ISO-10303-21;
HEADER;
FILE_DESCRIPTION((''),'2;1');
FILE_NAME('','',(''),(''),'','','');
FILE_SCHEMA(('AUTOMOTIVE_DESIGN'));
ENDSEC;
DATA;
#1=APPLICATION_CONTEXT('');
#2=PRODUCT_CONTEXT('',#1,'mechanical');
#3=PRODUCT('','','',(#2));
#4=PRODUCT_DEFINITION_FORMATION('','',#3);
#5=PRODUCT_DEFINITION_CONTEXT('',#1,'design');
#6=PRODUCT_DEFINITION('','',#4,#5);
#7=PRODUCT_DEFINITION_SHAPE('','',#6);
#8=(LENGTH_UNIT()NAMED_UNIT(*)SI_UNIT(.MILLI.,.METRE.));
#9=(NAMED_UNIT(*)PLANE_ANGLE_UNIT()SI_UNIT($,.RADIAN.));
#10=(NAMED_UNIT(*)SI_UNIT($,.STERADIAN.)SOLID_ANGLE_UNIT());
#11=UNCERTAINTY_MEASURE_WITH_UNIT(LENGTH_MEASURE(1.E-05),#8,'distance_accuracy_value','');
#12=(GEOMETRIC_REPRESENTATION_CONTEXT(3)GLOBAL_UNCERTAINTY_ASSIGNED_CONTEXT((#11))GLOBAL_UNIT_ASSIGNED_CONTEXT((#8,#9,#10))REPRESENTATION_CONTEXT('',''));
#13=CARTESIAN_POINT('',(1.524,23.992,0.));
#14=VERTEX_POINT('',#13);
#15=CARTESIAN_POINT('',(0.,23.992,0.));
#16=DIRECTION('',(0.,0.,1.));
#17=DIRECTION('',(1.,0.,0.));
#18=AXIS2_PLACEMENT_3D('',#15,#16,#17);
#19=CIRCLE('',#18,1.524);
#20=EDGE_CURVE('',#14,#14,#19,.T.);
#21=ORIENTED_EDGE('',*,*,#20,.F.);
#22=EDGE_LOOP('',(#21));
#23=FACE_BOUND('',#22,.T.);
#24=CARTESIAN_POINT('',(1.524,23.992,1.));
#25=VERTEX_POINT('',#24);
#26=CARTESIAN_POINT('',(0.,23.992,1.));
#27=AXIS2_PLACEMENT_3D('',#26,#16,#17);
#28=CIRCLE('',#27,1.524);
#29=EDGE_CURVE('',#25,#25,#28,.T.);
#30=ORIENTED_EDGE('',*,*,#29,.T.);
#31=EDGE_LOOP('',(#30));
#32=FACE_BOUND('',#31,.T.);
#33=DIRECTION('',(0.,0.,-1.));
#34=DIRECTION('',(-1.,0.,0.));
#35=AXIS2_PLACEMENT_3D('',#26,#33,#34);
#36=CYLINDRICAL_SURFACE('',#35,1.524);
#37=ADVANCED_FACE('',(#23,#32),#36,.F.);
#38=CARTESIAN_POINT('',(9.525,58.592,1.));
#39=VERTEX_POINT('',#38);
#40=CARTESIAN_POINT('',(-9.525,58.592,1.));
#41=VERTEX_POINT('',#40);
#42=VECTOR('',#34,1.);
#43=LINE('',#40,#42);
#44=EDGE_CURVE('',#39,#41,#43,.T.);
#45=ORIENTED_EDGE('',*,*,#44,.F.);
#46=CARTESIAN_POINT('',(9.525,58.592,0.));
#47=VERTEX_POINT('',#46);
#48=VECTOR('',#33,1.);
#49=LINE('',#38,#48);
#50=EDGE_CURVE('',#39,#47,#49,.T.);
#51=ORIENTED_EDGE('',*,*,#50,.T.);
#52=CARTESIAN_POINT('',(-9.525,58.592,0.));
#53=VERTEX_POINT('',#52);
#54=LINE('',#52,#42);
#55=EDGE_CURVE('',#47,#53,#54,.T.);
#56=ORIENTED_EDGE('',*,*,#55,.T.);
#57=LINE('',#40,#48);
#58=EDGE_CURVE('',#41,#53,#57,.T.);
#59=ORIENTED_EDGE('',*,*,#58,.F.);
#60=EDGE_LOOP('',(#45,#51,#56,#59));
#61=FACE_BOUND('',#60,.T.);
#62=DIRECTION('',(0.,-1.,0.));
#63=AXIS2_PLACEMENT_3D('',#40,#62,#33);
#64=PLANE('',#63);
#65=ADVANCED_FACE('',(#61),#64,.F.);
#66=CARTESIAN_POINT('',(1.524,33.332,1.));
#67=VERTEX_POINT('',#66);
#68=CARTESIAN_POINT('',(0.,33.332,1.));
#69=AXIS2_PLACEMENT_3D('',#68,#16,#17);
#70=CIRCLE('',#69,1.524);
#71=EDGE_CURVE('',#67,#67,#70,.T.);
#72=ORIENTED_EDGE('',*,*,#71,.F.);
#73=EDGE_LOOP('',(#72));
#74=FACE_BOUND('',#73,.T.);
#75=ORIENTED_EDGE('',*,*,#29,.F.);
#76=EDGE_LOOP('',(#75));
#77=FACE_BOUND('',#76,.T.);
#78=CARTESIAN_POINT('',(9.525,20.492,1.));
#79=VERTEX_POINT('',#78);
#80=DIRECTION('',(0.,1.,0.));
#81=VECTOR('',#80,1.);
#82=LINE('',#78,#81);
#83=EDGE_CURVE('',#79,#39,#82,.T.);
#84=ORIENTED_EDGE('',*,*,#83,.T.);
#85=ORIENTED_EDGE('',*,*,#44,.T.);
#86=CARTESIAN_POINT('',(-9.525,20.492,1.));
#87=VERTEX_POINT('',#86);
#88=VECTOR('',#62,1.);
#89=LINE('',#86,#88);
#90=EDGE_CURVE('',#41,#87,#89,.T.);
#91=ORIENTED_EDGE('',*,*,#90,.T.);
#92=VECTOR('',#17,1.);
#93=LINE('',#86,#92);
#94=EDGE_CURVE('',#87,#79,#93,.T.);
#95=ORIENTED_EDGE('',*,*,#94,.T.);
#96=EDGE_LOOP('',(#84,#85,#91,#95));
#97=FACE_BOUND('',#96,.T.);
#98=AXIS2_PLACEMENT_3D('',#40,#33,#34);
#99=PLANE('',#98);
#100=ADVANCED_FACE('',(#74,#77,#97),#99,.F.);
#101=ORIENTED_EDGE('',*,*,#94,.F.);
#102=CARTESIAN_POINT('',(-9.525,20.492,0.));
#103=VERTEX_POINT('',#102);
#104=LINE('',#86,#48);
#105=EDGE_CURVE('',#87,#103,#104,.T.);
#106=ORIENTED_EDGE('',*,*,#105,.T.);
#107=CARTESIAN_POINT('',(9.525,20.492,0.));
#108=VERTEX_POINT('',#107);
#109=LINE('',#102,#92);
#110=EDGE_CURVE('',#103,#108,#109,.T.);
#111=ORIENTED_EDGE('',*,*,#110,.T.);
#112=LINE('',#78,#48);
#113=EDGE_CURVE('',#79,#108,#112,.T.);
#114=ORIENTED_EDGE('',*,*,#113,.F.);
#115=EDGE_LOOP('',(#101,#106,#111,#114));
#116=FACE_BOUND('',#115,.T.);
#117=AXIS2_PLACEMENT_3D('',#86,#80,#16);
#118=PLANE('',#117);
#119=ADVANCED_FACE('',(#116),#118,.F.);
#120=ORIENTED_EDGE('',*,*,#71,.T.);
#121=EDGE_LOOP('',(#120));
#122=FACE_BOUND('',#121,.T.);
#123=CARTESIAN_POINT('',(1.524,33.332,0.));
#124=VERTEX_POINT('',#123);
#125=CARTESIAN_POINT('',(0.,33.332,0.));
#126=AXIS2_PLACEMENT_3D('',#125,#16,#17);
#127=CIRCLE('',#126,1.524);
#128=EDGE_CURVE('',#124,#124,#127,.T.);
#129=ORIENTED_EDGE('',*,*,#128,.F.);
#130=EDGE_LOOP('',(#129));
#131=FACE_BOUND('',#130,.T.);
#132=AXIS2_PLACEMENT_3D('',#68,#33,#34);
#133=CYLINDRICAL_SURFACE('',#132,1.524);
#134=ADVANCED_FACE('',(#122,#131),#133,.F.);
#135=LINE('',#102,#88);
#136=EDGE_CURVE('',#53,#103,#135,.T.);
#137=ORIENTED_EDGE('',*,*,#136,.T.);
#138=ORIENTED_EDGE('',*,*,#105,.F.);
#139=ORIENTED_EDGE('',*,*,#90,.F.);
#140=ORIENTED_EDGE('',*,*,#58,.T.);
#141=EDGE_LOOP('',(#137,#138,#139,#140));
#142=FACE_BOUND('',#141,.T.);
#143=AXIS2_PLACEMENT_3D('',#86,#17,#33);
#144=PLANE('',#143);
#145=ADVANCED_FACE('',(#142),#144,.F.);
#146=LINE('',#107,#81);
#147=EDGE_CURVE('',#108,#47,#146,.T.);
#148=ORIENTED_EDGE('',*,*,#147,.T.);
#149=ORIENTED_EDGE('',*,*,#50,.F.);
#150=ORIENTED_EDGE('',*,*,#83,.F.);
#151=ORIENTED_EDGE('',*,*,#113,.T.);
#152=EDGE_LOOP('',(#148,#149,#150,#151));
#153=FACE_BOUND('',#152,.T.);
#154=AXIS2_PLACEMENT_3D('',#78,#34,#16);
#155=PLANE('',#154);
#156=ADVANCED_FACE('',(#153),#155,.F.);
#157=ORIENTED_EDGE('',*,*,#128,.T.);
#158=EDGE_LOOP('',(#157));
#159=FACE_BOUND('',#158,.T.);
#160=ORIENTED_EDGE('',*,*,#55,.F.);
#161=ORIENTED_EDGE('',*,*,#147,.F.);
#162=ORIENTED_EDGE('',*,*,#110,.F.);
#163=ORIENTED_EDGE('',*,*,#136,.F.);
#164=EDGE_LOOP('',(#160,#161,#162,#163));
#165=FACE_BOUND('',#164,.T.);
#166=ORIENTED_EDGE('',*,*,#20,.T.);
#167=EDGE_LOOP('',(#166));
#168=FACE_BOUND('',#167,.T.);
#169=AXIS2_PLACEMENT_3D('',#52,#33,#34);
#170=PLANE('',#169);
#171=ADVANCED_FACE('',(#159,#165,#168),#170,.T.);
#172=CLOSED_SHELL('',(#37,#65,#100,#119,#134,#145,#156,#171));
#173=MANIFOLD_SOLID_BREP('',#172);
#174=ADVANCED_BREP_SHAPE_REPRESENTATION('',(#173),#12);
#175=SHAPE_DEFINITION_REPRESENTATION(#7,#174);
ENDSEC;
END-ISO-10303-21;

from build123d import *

# Parameters (mm, degrees)
SKETCH1_W           = 19.05
SKETCH1_H           = 38.1
SKETCH1_R           = 1.524
BOSS_EXTRUDE1_DEPTH = 1


with BuildPart() as part:
    # Sketch1 → Boss-Extrude1 (new body)
    with BuildSketch(Plane.XY):
        with Locations((0, 39.542)):
            Rectangle(SKETCH1_W, SKETCH1_H)
        with Locations((0, 33.332)):
            Circle(SKETCH1_R, mode=Mode.SUBTRACT)
        with Locations((0, 23.992)):
            Circle(SKETCH1_R, mode=Mode.SUBTRACT)
    extrude(amount=BOSS_EXTRUDE1_DEPTH)


solid = part.part
